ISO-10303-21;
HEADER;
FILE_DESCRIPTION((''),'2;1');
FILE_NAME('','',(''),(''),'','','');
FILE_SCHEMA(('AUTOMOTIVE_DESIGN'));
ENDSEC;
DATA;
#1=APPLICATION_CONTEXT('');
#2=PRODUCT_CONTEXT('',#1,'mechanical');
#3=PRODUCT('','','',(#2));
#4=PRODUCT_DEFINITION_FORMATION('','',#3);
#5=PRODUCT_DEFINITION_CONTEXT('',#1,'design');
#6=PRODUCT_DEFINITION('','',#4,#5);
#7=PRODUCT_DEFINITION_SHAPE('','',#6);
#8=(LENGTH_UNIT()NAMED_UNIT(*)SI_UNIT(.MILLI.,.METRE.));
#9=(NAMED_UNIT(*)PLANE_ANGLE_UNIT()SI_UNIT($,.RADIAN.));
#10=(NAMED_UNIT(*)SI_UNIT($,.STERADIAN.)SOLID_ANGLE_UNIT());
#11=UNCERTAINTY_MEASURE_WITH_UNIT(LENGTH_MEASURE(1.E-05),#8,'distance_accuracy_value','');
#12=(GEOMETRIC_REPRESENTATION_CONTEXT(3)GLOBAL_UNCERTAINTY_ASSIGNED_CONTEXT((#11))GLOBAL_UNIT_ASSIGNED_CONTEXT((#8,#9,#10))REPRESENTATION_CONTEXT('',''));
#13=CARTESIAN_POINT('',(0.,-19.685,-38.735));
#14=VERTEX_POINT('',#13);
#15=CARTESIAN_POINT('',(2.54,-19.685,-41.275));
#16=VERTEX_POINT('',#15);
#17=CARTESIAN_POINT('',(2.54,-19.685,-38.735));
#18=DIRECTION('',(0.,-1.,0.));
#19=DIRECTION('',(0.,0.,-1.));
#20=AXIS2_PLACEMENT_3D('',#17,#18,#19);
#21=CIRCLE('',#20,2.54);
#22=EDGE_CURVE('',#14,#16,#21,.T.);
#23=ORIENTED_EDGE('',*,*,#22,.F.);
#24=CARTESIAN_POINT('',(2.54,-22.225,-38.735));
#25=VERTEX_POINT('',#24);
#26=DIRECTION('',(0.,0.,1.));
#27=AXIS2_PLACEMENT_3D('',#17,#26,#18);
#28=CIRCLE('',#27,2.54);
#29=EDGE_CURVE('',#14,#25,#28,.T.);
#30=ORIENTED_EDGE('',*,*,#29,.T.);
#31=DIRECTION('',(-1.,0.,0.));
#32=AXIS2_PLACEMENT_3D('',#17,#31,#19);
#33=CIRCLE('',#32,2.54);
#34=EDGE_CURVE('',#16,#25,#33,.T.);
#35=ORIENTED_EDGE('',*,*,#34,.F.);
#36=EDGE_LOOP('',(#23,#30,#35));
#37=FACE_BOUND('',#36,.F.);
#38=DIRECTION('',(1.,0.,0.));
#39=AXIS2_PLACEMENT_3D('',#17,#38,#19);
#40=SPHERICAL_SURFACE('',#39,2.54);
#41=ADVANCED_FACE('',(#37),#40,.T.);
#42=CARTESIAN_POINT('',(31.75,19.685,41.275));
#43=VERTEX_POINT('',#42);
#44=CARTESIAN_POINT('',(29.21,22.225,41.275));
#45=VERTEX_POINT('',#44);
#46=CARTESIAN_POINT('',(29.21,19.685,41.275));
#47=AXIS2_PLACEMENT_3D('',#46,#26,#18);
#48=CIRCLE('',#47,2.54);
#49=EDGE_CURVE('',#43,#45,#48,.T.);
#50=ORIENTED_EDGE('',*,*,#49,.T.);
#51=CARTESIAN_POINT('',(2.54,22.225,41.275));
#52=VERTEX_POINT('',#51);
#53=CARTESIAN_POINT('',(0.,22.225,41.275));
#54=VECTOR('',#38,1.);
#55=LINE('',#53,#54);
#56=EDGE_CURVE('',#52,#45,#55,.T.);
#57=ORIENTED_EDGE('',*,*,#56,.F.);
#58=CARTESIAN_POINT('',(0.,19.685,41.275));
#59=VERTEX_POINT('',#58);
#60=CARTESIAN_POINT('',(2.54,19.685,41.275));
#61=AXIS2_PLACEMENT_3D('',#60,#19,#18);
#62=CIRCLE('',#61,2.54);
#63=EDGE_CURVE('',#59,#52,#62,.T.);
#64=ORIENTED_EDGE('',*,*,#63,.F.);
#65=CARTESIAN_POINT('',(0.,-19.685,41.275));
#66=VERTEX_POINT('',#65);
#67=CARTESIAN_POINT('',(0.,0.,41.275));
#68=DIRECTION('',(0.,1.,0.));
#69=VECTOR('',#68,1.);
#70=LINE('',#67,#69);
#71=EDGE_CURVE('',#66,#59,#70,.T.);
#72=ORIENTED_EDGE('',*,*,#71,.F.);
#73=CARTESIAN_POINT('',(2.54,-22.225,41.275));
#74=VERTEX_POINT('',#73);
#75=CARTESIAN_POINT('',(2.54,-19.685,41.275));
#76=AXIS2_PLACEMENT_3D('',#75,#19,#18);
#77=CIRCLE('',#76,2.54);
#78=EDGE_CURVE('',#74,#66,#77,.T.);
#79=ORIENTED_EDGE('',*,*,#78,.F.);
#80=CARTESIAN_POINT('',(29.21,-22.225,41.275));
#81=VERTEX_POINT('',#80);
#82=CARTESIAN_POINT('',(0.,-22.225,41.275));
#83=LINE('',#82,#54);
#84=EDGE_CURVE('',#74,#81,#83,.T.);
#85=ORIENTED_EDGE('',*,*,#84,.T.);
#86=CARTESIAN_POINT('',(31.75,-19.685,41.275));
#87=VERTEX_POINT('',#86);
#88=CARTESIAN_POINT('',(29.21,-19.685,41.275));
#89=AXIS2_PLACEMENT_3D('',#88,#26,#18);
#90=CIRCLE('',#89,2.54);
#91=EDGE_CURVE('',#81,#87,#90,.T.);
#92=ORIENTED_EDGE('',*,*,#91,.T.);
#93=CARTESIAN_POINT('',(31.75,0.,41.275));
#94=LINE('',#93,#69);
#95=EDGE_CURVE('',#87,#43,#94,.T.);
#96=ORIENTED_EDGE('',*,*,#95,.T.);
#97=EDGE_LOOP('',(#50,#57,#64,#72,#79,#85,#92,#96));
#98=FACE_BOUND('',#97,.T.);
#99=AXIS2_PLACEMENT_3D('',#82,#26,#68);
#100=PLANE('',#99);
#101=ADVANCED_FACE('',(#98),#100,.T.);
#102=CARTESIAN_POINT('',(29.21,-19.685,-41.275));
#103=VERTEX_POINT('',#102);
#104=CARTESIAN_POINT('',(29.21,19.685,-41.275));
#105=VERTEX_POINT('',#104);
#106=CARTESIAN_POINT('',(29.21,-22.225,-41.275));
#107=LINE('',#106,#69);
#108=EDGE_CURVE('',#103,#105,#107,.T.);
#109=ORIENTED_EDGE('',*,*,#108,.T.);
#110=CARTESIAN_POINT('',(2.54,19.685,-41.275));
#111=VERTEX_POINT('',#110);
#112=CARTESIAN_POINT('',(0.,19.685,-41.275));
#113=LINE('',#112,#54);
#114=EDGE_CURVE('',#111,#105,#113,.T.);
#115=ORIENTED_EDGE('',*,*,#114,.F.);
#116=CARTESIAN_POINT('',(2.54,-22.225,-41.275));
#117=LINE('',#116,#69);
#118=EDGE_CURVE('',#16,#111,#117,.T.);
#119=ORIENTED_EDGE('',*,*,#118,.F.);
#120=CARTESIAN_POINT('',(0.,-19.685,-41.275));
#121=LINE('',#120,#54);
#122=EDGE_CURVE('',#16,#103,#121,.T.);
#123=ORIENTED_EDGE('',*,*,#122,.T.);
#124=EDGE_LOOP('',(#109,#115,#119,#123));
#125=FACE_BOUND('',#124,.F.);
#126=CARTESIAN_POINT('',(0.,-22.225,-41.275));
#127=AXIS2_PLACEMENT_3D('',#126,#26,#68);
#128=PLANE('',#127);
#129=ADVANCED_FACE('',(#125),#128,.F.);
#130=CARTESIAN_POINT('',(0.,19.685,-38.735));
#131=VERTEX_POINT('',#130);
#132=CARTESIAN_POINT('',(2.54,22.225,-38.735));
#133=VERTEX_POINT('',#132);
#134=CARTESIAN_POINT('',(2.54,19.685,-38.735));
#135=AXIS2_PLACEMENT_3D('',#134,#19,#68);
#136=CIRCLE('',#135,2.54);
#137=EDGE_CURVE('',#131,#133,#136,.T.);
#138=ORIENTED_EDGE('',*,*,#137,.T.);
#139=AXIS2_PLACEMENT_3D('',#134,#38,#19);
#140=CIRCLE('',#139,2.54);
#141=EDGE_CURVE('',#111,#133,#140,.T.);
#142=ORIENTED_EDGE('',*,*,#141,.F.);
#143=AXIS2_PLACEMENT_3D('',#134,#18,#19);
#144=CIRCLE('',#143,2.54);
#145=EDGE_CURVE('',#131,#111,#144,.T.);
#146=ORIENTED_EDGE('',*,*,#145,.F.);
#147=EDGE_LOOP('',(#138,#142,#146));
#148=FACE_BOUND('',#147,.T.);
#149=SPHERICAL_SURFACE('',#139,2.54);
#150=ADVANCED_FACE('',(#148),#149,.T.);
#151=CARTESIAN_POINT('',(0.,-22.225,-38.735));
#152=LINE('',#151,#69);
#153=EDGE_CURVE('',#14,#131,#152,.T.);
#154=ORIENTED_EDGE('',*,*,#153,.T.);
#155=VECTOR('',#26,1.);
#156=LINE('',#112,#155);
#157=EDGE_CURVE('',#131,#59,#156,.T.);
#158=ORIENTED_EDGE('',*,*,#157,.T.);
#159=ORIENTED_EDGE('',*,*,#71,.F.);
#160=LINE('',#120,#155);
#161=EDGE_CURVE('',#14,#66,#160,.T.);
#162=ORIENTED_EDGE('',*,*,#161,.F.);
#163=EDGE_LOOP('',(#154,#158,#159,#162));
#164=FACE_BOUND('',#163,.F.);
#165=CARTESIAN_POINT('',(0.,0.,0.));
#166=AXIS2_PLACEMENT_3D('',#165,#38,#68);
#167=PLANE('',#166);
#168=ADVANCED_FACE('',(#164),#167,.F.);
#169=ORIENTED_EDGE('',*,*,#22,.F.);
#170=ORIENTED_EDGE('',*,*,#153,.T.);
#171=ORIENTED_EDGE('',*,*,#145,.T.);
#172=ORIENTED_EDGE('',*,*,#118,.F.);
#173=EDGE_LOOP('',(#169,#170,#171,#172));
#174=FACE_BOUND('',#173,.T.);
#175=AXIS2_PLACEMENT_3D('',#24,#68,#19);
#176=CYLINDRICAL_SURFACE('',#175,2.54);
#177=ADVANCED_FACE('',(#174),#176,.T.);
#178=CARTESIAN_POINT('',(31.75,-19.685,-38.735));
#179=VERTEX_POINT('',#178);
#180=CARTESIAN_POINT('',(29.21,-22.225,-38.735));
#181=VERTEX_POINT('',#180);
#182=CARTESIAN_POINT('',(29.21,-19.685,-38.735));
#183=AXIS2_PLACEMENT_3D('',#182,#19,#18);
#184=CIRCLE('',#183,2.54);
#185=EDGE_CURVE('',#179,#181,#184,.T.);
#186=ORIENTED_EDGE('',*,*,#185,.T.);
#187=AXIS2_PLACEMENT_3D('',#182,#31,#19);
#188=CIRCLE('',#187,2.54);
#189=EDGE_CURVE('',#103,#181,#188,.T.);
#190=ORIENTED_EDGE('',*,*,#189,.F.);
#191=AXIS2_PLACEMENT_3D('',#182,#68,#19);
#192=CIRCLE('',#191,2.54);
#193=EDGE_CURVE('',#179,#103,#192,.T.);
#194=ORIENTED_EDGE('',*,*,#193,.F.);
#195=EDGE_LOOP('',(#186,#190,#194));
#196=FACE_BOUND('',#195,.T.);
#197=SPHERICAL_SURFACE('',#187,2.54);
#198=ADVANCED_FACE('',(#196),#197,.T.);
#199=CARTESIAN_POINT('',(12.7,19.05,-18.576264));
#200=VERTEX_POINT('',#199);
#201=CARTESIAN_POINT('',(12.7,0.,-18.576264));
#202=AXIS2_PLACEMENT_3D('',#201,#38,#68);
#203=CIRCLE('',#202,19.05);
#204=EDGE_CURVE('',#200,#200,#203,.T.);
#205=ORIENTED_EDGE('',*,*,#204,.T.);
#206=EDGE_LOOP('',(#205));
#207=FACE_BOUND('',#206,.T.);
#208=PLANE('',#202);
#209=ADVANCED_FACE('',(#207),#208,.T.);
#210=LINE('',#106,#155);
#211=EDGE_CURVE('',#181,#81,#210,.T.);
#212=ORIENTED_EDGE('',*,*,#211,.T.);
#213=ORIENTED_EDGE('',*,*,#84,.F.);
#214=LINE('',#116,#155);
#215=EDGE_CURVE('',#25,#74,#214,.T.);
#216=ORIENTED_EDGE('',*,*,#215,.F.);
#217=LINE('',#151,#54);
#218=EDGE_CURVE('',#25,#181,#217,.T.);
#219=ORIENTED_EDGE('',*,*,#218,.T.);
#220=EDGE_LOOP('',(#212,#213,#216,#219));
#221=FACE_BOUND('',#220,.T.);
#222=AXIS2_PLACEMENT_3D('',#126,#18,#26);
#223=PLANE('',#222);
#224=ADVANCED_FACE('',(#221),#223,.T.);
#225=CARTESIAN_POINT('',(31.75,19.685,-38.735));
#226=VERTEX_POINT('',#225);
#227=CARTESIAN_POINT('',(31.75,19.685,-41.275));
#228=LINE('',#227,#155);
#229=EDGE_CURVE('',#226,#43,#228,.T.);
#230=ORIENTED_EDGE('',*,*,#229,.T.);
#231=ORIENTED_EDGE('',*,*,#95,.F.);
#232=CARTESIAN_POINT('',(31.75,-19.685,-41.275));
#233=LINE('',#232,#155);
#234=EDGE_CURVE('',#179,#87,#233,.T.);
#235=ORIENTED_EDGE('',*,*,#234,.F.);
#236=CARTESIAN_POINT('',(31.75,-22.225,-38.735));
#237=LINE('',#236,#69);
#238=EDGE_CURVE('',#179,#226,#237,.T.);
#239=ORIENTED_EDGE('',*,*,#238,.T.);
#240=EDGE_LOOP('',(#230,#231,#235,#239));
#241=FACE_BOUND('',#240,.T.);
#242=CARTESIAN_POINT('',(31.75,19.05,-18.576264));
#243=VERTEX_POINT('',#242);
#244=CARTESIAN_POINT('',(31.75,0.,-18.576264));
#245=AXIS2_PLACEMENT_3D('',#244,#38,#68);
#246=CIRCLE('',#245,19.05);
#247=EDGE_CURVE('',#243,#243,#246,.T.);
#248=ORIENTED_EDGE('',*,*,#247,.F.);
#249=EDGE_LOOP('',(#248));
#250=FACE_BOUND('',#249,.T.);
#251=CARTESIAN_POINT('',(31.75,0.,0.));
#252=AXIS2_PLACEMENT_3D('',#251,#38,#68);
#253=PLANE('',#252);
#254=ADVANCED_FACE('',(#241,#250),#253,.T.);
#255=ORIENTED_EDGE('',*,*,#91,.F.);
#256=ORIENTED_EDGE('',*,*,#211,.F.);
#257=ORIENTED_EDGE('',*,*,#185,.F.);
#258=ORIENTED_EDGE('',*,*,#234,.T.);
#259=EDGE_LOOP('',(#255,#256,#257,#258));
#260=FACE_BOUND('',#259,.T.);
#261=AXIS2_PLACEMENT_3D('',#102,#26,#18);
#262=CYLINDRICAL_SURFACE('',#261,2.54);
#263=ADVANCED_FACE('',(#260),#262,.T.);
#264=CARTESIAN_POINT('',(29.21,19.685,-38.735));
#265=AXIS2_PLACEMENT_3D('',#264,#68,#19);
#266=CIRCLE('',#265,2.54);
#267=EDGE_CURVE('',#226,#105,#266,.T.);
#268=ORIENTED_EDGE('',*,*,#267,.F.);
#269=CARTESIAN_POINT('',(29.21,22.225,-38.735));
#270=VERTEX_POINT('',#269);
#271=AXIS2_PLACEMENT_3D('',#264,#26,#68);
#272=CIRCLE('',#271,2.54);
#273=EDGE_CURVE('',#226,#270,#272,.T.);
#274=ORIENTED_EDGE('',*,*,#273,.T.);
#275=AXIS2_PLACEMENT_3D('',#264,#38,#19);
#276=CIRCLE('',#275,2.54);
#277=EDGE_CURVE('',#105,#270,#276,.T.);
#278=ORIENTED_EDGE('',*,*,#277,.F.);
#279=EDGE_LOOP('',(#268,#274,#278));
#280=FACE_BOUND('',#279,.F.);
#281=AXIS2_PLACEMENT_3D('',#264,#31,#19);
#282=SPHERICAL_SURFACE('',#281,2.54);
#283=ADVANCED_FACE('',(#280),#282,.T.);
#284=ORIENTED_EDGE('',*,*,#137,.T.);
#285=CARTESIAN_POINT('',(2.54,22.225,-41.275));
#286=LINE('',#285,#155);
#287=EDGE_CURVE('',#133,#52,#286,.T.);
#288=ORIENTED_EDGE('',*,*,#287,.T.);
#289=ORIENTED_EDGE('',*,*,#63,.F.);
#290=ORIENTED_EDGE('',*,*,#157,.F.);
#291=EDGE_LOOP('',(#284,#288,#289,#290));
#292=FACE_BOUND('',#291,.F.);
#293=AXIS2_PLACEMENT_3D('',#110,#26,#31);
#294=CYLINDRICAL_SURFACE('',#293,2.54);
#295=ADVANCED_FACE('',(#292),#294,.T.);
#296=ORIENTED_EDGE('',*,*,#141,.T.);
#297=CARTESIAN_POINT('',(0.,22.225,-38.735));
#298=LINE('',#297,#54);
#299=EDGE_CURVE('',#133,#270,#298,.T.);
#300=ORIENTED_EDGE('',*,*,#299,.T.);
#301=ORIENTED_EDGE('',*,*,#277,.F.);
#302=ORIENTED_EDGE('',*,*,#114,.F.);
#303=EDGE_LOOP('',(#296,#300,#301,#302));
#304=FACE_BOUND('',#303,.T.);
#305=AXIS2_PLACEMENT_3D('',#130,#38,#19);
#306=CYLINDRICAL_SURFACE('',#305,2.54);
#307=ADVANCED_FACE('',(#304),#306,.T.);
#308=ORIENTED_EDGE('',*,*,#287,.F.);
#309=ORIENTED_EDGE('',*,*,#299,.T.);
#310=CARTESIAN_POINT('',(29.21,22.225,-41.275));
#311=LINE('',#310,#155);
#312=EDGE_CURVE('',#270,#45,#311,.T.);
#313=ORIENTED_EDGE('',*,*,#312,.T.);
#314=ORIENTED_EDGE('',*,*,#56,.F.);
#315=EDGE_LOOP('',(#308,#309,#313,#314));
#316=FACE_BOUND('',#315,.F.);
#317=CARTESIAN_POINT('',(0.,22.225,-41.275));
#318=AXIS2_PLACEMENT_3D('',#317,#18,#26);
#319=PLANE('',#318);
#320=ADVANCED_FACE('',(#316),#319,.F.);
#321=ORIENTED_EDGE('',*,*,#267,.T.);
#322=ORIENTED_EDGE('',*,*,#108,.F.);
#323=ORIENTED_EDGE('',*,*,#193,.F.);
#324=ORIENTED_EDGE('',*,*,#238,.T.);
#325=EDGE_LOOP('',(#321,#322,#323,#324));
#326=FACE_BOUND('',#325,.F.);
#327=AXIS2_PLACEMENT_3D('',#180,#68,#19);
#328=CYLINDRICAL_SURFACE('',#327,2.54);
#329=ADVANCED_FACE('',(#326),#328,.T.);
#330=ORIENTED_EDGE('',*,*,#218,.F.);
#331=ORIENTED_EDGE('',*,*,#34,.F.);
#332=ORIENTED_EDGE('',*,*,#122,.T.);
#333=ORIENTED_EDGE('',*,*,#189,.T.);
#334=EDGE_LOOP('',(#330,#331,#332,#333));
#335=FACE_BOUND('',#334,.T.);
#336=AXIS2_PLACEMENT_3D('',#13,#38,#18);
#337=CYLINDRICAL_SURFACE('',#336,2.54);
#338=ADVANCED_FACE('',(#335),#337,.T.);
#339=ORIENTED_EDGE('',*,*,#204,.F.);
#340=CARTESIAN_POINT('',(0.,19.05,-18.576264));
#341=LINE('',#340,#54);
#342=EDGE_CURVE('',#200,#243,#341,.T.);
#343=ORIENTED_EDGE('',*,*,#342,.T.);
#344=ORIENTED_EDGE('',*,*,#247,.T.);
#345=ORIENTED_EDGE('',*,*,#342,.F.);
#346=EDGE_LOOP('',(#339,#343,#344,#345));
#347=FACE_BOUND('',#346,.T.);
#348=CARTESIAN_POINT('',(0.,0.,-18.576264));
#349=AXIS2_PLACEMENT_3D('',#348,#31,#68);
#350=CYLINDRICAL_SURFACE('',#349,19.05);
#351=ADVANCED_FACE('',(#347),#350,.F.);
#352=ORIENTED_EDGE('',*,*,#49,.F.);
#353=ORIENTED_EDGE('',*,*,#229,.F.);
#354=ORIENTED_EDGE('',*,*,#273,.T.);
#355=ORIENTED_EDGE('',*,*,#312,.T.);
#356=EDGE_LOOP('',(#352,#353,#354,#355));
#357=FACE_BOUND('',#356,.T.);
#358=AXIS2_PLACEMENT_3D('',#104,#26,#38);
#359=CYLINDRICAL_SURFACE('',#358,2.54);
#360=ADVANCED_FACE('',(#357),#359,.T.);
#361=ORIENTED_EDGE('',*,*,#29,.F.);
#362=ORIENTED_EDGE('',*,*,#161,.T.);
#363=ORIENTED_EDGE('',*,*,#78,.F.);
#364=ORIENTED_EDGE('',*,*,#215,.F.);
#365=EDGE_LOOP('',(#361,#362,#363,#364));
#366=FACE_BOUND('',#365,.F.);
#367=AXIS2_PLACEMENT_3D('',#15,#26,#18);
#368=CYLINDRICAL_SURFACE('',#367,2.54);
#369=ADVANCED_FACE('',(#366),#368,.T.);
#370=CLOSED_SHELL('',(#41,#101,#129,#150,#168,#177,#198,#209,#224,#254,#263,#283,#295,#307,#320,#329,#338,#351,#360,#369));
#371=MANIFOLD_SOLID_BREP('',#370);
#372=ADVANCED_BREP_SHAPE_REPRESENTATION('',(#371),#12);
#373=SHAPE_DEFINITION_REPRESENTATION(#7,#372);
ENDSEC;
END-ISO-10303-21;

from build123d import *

# Parameters (mm, degrees)
F0_R     = 19.05
F1_DEPTH = 12.7
F0_W     = 44.45
F0_H     = 82.55
F2_DEPTH = 31.75
F3_R     = 2.54


with BuildPart() as f1:
    # F0 (on Right) → F1 (new body)
    with BuildSketch(Plane.YZ):
        with Locations((0, -18.576264)):
            Circle(F0_R)
    extrude(amount=F1_DEPTH)

    # F0 (on Right) → F2 (join)
    with BuildSketch(Plane.YZ):
        Rectangle(F0_W, F0_H)
        with Locations((0, -18.576264)):
            Circle(F0_R, mode=Mode.SUBTRACT)
    extrude(amount=F2_DEPTH)

    # F3
    f3_edges = [f1.edges().sort_by_distance(p)[0] for p in [
        (15.875, -22.225, -41.275),
        (15.875, 22.225, -41.275),
        (0, 0, -41.275),
        (31.75, 0, -41.275),
        (31.75, 22.225, 0),
        (0, 22.225, 0),
        (0, -22.225, 0),
        (31.75, -22.225, 0),
    ]]
    fillet(f3_edges, radius=F3_R)


solid = f1.part
